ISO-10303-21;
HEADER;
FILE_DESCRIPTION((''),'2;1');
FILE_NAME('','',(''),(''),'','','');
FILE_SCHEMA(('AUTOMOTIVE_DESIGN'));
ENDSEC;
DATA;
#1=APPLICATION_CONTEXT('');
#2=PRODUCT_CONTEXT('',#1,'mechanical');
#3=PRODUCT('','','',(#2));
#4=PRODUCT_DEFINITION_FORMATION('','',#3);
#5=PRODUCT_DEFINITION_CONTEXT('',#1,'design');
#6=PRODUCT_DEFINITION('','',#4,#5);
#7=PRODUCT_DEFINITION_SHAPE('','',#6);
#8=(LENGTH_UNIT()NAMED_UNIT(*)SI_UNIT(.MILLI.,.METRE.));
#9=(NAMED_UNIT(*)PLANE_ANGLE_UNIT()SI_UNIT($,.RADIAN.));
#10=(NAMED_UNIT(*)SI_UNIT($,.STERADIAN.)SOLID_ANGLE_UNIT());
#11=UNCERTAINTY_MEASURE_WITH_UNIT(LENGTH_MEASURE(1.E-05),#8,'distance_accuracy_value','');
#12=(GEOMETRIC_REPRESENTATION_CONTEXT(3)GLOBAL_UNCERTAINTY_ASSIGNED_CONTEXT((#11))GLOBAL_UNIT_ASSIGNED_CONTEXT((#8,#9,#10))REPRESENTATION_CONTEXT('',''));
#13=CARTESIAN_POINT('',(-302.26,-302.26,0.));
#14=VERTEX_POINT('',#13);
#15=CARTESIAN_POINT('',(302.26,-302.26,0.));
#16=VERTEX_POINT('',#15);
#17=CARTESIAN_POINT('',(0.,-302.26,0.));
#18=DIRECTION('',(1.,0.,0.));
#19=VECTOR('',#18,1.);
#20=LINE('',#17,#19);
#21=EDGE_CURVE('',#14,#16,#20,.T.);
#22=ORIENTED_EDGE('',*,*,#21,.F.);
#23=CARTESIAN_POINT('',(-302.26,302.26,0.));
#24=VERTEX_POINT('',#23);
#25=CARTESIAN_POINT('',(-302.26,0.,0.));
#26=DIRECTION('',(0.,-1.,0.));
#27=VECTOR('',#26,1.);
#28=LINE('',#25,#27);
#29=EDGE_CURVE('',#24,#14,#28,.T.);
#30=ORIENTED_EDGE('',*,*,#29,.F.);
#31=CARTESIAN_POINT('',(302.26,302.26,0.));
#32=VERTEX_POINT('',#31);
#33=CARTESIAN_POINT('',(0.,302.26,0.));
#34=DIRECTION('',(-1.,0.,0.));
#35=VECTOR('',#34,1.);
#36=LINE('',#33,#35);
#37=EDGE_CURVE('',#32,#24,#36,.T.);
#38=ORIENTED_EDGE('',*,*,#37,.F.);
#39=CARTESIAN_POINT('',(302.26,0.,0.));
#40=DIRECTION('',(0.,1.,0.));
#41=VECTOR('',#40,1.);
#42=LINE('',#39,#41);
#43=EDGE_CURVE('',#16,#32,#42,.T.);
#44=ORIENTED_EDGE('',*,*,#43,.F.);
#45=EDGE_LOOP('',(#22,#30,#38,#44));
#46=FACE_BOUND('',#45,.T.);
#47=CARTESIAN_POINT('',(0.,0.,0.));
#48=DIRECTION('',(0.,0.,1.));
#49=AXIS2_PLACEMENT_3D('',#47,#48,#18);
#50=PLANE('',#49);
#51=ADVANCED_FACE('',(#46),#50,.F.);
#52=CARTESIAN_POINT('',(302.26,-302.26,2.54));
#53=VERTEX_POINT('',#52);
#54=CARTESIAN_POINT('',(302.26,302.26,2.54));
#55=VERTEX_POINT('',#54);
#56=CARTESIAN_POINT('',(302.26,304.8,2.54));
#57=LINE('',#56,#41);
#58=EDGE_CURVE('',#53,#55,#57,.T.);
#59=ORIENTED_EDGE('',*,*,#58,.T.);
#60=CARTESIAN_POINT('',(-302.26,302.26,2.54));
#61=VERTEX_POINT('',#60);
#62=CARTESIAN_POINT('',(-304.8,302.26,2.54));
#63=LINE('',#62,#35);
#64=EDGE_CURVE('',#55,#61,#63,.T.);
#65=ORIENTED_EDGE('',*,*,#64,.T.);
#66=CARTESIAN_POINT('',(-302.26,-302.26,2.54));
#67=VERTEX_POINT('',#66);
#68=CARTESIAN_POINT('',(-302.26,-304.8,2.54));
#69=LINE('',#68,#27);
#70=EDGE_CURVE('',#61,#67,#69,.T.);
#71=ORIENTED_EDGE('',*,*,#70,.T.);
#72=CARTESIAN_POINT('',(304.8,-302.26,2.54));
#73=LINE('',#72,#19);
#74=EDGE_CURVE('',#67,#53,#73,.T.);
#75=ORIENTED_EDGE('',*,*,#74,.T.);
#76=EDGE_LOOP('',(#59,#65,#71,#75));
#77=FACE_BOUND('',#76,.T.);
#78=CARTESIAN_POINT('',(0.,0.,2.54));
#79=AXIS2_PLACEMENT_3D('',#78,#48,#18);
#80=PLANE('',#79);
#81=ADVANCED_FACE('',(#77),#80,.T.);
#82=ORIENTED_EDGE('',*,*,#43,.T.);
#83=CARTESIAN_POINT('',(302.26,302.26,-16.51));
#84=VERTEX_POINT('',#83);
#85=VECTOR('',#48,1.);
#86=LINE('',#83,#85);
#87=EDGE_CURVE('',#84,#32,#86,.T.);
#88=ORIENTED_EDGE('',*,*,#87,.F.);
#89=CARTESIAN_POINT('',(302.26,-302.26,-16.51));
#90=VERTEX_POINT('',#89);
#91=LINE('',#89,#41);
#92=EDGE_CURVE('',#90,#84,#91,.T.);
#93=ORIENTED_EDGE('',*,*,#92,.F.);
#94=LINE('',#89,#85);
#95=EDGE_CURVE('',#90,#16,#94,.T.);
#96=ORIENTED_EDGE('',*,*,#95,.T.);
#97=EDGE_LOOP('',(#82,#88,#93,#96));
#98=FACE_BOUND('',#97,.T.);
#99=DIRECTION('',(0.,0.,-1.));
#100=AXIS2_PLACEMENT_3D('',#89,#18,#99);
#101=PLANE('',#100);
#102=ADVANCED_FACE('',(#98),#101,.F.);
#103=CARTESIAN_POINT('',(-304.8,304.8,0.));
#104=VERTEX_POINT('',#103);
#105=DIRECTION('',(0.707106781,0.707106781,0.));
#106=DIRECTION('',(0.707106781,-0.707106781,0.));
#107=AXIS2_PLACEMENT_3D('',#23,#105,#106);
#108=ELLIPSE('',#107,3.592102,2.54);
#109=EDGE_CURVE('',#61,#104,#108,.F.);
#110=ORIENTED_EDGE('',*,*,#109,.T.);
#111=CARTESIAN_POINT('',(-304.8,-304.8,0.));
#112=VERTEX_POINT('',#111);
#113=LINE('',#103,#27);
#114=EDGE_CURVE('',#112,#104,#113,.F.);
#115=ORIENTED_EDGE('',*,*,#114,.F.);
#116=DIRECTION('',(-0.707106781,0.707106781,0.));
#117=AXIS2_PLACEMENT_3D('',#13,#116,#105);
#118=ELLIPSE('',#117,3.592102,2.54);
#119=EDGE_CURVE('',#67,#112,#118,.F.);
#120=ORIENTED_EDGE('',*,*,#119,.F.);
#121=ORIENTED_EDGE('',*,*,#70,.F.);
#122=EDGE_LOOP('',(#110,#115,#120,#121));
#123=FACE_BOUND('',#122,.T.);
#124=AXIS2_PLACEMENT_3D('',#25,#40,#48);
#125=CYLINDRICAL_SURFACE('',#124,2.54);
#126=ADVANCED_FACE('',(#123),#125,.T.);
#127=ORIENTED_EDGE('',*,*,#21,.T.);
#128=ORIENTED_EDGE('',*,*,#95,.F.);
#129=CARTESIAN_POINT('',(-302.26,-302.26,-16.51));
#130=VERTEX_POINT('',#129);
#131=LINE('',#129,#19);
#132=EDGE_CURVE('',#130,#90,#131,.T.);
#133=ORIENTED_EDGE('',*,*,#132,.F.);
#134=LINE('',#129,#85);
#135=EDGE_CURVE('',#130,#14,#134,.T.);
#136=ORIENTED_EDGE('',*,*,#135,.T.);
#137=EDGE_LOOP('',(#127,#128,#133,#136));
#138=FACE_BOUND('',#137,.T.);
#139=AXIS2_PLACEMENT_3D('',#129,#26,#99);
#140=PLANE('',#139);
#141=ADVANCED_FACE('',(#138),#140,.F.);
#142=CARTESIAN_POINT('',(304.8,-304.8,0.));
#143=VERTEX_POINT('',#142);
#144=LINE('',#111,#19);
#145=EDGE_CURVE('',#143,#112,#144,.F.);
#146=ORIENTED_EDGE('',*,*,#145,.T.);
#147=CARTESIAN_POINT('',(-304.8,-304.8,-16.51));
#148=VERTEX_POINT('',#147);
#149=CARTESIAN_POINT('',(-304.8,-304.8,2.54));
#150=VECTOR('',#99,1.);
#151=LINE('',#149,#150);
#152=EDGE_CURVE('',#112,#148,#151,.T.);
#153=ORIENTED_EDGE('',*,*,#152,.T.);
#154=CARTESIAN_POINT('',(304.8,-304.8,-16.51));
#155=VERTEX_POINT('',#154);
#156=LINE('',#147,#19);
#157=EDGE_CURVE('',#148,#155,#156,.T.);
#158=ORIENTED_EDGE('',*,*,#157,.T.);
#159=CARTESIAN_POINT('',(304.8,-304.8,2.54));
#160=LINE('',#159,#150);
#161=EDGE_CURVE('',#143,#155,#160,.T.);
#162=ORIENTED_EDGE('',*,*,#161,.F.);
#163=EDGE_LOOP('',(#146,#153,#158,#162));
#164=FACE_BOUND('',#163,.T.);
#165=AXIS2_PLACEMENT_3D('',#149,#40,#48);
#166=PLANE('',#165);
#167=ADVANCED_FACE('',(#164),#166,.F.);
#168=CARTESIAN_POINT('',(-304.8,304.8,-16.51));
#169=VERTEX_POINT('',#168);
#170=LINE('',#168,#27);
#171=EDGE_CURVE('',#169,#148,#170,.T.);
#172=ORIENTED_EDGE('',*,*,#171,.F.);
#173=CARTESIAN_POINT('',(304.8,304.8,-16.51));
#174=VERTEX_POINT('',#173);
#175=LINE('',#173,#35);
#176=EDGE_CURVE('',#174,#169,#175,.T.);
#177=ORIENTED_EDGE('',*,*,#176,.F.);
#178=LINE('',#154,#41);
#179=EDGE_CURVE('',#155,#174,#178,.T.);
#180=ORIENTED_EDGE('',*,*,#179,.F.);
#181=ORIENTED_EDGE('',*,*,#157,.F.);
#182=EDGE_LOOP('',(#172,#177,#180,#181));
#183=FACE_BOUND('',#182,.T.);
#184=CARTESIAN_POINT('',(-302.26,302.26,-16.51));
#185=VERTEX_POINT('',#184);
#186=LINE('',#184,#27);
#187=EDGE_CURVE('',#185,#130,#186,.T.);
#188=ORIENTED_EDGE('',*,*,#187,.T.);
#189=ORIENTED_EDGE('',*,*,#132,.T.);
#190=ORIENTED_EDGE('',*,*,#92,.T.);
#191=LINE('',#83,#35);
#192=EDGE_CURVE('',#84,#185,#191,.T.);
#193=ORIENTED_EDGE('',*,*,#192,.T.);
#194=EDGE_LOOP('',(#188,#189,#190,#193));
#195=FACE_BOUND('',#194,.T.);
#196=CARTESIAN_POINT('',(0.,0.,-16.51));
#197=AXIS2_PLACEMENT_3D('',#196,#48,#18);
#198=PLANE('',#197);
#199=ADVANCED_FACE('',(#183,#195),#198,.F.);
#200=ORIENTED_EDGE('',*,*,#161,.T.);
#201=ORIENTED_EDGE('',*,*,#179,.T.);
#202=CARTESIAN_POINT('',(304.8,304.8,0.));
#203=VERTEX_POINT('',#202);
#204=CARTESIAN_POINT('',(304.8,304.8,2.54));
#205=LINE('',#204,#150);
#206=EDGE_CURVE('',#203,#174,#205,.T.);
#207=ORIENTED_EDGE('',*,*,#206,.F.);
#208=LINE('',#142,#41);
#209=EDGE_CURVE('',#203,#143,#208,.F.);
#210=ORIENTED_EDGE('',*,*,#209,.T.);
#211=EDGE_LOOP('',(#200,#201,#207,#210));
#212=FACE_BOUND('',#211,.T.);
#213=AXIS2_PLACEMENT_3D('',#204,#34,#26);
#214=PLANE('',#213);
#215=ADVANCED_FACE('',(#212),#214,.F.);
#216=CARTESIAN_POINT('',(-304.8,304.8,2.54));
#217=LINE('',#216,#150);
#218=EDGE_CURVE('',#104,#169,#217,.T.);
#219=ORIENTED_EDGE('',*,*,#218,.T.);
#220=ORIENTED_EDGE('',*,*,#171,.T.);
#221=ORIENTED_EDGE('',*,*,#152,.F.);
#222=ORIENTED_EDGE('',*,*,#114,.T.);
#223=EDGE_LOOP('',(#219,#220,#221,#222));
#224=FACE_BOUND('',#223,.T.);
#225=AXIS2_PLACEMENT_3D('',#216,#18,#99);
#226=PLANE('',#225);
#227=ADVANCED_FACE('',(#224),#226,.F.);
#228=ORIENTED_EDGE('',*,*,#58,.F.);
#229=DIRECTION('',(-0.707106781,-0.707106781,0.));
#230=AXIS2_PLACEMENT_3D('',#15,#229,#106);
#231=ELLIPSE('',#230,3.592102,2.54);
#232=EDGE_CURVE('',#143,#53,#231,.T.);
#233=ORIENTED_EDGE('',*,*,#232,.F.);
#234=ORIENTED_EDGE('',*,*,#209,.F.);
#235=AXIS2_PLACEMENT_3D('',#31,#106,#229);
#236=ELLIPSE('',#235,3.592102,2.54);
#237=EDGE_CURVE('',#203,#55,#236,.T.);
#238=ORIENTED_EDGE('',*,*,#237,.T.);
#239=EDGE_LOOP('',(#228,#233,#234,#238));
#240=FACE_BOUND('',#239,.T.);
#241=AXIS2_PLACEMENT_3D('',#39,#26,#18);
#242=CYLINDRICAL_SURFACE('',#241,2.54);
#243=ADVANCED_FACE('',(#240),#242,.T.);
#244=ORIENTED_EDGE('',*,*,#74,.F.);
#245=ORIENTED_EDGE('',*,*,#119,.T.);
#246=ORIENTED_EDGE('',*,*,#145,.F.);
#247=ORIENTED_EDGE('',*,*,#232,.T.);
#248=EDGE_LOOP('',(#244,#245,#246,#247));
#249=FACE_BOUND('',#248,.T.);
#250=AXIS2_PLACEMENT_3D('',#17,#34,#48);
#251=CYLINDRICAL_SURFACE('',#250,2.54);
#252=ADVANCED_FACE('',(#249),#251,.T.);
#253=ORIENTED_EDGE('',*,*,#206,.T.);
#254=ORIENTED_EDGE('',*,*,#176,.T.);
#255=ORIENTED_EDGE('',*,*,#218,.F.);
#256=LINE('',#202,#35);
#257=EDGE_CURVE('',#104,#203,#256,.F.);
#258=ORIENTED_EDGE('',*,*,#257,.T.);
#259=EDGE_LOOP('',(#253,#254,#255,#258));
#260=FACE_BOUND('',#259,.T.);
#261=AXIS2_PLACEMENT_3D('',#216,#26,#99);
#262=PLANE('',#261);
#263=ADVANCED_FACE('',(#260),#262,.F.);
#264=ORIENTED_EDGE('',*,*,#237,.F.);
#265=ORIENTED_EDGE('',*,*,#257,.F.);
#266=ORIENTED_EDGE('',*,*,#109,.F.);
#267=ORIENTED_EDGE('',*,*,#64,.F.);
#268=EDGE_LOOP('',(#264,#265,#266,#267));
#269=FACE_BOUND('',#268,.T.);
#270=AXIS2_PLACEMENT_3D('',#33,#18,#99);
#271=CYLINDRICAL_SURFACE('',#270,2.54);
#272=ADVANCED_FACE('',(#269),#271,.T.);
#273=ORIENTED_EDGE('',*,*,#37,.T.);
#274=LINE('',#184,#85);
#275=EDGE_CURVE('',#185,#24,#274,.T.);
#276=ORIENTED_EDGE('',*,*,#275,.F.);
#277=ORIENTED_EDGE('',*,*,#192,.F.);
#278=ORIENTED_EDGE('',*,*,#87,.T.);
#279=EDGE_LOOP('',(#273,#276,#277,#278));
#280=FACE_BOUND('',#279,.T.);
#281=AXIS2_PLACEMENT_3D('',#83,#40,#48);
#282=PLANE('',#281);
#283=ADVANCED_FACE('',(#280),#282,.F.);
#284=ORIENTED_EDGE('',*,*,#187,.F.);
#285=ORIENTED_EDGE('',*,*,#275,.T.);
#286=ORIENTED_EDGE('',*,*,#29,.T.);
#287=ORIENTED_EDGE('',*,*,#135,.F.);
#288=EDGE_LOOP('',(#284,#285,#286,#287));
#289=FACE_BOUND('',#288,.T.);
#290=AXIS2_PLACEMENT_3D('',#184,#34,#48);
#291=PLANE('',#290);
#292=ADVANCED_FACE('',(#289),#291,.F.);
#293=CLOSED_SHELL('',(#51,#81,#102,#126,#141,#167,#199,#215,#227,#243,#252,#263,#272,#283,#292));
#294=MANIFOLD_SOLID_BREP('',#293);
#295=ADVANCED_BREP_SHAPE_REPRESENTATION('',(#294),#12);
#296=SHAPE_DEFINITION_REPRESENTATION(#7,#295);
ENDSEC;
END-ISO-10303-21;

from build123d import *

# Parameters (mm, degrees)
SKETCH1_W           = 609.6
SKETCH1_H           = 609.6
BOSS_EXTRUDE1_DEPTH = 2.54
SKETCH2_W           = 609.6
SKETCH2_H           = 609.6
SKETCH2_W_2         = 604.52
SKETCH2_H_2         = 604.52
BOSS_EXTRUDE2_DEPTH = 19.05
FILLET1_R           = 2.54


with BuildPart() as part:
    # Sketch1 → Boss-Extrude1 (new body)
    with BuildSketch(Plane.XY):
        Rectangle(SKETCH1_W, SKETCH1_H)
    extrude(amount=BOSS_EXTRUDE1_DEPTH)

    # Sketch2 → Boss-Extrude2 (add)
    with BuildSketch(Plane.XY.offset(2.54)):
        Rectangle(SKETCH2_W, SKETCH2_H)
        Rectangle(SKETCH2_W_2, SKETCH2_H_2, mode=Mode.SUBTRACT)
    extrude(amount=-BOSS_EXTRUDE2_DEPTH)

    # Fillet1
    fillet1_edges = [part.edges().sort_by_distance(p)[0] for p in [
        (-304.8, 0, 2.54),
        (0, -304.8, 2.54),
        (304.8, 0, 2.54),
        (0, 304.8, 2.54),
    ]]
    fillet(fillet1_edges, radius=FILLET1_R)


solid = part.part
